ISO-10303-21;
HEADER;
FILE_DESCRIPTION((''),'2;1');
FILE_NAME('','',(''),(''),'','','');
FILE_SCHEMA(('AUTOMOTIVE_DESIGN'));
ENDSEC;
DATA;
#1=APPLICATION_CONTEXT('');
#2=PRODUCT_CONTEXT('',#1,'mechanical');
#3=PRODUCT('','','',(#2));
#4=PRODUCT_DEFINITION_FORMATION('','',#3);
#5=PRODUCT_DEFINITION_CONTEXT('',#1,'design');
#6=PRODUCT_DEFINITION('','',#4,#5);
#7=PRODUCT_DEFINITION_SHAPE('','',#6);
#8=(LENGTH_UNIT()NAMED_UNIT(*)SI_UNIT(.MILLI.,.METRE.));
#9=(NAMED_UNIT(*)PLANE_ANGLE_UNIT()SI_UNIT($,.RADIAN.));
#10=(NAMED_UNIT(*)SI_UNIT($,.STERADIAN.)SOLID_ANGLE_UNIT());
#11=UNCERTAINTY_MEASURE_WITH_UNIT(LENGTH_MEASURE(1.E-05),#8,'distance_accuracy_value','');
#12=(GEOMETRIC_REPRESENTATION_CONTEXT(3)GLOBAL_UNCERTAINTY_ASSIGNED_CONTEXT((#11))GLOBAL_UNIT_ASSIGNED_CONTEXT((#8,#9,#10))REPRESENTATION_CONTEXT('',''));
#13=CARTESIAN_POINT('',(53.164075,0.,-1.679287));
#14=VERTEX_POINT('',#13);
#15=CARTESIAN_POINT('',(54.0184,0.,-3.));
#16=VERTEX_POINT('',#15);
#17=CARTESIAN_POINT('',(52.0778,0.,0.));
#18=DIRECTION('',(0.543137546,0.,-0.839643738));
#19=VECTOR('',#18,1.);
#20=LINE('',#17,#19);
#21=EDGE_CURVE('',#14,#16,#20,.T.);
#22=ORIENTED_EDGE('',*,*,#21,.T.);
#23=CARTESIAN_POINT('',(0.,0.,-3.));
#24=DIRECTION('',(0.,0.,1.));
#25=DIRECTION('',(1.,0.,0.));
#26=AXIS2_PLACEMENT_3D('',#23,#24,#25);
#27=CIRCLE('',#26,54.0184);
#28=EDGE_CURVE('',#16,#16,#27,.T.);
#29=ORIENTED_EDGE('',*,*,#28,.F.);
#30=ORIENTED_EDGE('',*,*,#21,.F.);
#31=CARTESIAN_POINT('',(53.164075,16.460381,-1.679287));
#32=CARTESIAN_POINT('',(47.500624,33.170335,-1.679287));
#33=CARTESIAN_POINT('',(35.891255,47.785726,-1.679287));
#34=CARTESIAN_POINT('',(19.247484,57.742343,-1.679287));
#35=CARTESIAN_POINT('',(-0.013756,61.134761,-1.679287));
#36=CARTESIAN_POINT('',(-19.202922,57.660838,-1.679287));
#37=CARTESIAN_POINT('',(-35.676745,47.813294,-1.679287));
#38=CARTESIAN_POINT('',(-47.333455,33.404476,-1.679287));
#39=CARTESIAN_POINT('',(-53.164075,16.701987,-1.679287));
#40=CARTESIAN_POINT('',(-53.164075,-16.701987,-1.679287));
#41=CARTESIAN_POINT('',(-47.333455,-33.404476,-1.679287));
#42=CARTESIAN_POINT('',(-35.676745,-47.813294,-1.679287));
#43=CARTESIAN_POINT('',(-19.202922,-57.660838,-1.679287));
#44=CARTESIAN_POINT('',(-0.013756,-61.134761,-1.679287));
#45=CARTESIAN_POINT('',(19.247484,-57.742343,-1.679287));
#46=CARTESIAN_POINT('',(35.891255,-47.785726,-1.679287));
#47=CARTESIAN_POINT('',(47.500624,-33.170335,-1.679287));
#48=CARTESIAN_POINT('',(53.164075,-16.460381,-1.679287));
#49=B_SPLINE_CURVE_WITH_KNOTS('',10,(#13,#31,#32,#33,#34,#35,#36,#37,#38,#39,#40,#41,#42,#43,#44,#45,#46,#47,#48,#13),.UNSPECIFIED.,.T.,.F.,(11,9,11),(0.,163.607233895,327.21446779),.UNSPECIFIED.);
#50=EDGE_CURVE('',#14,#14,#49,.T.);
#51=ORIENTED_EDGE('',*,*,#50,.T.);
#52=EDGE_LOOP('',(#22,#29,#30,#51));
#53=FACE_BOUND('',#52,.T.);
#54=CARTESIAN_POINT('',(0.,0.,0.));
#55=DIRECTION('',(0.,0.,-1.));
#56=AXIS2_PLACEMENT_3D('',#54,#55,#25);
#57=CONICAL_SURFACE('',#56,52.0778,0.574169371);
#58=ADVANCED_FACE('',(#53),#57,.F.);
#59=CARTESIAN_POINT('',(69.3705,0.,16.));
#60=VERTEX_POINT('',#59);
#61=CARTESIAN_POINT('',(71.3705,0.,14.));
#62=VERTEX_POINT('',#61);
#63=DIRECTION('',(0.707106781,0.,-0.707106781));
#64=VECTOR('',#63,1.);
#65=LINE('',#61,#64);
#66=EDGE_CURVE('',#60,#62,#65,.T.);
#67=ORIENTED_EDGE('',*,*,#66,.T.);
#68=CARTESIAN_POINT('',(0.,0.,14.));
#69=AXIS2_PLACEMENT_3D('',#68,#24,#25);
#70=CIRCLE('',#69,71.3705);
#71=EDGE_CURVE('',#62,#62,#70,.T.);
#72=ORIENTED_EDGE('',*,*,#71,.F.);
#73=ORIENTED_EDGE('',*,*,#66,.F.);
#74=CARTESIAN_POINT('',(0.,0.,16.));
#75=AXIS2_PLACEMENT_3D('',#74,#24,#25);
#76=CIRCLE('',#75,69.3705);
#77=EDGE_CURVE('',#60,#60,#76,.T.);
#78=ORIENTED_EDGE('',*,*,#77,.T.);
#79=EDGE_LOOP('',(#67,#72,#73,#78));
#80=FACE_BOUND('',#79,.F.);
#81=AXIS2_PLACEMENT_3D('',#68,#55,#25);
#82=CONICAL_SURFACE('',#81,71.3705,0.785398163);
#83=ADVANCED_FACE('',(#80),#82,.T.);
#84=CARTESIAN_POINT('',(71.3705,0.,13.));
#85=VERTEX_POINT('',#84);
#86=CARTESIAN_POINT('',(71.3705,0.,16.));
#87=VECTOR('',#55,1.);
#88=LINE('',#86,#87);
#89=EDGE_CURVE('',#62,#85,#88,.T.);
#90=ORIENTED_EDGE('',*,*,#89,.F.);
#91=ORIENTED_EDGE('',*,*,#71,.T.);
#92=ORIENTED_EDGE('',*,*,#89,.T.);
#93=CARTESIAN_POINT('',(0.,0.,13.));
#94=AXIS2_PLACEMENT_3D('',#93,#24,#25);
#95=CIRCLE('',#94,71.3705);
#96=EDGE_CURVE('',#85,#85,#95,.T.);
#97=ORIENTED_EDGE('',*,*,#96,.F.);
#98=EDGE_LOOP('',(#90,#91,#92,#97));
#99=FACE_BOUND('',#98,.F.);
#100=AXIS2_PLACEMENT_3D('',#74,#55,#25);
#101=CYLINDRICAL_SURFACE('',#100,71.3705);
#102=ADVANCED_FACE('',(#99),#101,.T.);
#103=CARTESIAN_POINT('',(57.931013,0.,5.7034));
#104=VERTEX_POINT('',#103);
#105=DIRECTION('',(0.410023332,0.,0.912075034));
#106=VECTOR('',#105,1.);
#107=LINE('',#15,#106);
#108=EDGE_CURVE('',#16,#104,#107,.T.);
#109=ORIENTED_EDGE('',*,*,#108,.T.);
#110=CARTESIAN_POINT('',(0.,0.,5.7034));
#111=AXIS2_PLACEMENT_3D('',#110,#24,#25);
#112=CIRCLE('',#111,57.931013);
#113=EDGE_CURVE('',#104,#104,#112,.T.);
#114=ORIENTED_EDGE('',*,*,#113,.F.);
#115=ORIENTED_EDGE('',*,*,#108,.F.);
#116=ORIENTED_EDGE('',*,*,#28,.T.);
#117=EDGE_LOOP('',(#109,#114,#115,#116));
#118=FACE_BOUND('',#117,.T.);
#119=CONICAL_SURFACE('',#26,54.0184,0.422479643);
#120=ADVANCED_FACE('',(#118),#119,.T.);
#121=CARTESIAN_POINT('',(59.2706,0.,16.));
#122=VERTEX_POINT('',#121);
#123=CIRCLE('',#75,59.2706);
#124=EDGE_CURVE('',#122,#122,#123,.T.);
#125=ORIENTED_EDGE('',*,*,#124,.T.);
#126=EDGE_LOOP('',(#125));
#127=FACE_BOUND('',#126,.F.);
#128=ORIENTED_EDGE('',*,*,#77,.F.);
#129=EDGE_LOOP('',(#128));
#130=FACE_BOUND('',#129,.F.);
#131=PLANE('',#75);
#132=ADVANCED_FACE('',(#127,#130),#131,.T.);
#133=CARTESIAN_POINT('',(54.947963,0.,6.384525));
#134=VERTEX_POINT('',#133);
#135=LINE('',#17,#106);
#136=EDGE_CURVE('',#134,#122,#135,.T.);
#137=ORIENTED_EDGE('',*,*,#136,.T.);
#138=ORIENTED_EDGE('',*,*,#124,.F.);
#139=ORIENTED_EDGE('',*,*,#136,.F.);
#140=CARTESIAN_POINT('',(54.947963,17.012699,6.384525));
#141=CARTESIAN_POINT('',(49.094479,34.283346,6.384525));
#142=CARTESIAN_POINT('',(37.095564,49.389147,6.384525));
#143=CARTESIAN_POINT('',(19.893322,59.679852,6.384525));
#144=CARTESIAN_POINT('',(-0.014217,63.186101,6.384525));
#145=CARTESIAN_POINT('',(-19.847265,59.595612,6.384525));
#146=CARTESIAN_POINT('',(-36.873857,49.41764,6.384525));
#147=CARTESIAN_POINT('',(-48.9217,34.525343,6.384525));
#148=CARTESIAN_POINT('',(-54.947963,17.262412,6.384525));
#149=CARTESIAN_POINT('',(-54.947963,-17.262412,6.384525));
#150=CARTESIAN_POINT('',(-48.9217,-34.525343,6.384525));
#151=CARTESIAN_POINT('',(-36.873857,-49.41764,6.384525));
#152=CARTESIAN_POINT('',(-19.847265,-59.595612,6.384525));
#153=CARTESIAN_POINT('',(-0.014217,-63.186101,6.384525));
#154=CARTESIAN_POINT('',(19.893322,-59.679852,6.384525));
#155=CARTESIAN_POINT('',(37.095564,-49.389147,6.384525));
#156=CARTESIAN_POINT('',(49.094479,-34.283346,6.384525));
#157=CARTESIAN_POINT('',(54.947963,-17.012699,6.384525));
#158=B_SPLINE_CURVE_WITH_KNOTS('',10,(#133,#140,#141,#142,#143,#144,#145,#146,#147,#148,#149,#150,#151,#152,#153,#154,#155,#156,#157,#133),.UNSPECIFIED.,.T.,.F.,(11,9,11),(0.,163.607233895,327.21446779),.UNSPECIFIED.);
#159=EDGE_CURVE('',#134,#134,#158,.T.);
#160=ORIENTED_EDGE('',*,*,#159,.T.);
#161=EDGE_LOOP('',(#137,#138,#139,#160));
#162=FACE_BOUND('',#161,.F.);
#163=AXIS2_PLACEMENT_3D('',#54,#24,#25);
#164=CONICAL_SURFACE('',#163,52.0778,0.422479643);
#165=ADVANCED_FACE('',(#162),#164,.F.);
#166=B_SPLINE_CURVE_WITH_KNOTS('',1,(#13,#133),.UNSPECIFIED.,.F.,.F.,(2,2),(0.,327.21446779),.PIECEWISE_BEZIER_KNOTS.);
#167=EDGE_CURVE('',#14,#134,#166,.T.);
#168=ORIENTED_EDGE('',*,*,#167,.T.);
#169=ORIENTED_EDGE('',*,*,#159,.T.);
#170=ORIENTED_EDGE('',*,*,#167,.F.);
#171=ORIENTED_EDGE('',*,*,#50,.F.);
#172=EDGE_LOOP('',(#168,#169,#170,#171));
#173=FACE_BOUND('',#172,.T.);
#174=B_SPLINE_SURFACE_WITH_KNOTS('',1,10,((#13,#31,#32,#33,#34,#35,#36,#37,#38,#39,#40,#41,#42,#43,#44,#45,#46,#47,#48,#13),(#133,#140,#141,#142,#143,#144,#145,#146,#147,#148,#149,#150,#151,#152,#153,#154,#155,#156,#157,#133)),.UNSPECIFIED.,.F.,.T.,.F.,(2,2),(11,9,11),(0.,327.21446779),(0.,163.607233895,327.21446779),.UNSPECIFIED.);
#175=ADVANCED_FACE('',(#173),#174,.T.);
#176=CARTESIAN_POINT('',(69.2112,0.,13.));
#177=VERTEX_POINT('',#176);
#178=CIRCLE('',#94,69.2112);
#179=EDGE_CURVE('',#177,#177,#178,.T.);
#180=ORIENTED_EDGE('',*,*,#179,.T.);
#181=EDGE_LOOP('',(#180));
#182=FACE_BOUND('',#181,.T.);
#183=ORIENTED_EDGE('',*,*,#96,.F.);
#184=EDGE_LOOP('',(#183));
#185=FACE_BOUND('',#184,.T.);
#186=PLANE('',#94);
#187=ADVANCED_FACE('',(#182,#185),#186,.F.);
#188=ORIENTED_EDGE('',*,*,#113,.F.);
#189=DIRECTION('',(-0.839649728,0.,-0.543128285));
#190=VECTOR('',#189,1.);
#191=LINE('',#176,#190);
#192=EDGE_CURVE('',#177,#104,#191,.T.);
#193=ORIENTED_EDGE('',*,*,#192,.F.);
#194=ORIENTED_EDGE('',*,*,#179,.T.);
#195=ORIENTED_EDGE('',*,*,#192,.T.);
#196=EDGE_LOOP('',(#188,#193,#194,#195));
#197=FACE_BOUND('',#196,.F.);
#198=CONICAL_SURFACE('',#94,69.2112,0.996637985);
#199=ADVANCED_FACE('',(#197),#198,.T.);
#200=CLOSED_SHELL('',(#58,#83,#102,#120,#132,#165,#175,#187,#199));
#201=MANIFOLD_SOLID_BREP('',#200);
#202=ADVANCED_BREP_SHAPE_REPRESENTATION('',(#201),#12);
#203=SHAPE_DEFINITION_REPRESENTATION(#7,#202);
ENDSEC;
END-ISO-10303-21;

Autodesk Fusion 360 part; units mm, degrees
sketch "Sketch1" plane through (0, 0, 0) normal (0, 1, 0) x (1, 0, 0)
  line L0 (0, 0) -> (52.0778, 0)
  line L1 (52.0778, 0) -> (59.2706, -16)
  line L2 (59.2706, -16) -> (71.3705, -16)
  line L3 (0, 3) -> (54.0184, 3)
  line L4 (54.0184, 3) -> (61.2112, -13)
  line L5 (61.2112, -13) -> (71.3705, -13)
  line L6 (71.3705, -16) -> (71.3705, -13)
  line L7 (52.0778, 0) -> (54.0184, 3)
  dimension "d1" = -3
revolve "Revolve1" add sketch "Sketch1" angle 360 about axis through (0, 0, 1.75) along (0, 0, 1)
chamfer "Chamfer1" distance 2 distance2 7 1 edges at (-48.5536, -18.8321, 0) measured on face at (53.1063, -5.3141, -2)
chamfer "Chamfer2" distance 2 distance2 2 1 edges at (-66.5407, -25.8087, 16) measured on face at (67.0715, -3.5457, 16)
chamfer "Chamfer3" distance 8 distance2 8 1 edges at (-57.0689, -22.1349, 13) measured on face at (67.7183, -3.5457, 13)
